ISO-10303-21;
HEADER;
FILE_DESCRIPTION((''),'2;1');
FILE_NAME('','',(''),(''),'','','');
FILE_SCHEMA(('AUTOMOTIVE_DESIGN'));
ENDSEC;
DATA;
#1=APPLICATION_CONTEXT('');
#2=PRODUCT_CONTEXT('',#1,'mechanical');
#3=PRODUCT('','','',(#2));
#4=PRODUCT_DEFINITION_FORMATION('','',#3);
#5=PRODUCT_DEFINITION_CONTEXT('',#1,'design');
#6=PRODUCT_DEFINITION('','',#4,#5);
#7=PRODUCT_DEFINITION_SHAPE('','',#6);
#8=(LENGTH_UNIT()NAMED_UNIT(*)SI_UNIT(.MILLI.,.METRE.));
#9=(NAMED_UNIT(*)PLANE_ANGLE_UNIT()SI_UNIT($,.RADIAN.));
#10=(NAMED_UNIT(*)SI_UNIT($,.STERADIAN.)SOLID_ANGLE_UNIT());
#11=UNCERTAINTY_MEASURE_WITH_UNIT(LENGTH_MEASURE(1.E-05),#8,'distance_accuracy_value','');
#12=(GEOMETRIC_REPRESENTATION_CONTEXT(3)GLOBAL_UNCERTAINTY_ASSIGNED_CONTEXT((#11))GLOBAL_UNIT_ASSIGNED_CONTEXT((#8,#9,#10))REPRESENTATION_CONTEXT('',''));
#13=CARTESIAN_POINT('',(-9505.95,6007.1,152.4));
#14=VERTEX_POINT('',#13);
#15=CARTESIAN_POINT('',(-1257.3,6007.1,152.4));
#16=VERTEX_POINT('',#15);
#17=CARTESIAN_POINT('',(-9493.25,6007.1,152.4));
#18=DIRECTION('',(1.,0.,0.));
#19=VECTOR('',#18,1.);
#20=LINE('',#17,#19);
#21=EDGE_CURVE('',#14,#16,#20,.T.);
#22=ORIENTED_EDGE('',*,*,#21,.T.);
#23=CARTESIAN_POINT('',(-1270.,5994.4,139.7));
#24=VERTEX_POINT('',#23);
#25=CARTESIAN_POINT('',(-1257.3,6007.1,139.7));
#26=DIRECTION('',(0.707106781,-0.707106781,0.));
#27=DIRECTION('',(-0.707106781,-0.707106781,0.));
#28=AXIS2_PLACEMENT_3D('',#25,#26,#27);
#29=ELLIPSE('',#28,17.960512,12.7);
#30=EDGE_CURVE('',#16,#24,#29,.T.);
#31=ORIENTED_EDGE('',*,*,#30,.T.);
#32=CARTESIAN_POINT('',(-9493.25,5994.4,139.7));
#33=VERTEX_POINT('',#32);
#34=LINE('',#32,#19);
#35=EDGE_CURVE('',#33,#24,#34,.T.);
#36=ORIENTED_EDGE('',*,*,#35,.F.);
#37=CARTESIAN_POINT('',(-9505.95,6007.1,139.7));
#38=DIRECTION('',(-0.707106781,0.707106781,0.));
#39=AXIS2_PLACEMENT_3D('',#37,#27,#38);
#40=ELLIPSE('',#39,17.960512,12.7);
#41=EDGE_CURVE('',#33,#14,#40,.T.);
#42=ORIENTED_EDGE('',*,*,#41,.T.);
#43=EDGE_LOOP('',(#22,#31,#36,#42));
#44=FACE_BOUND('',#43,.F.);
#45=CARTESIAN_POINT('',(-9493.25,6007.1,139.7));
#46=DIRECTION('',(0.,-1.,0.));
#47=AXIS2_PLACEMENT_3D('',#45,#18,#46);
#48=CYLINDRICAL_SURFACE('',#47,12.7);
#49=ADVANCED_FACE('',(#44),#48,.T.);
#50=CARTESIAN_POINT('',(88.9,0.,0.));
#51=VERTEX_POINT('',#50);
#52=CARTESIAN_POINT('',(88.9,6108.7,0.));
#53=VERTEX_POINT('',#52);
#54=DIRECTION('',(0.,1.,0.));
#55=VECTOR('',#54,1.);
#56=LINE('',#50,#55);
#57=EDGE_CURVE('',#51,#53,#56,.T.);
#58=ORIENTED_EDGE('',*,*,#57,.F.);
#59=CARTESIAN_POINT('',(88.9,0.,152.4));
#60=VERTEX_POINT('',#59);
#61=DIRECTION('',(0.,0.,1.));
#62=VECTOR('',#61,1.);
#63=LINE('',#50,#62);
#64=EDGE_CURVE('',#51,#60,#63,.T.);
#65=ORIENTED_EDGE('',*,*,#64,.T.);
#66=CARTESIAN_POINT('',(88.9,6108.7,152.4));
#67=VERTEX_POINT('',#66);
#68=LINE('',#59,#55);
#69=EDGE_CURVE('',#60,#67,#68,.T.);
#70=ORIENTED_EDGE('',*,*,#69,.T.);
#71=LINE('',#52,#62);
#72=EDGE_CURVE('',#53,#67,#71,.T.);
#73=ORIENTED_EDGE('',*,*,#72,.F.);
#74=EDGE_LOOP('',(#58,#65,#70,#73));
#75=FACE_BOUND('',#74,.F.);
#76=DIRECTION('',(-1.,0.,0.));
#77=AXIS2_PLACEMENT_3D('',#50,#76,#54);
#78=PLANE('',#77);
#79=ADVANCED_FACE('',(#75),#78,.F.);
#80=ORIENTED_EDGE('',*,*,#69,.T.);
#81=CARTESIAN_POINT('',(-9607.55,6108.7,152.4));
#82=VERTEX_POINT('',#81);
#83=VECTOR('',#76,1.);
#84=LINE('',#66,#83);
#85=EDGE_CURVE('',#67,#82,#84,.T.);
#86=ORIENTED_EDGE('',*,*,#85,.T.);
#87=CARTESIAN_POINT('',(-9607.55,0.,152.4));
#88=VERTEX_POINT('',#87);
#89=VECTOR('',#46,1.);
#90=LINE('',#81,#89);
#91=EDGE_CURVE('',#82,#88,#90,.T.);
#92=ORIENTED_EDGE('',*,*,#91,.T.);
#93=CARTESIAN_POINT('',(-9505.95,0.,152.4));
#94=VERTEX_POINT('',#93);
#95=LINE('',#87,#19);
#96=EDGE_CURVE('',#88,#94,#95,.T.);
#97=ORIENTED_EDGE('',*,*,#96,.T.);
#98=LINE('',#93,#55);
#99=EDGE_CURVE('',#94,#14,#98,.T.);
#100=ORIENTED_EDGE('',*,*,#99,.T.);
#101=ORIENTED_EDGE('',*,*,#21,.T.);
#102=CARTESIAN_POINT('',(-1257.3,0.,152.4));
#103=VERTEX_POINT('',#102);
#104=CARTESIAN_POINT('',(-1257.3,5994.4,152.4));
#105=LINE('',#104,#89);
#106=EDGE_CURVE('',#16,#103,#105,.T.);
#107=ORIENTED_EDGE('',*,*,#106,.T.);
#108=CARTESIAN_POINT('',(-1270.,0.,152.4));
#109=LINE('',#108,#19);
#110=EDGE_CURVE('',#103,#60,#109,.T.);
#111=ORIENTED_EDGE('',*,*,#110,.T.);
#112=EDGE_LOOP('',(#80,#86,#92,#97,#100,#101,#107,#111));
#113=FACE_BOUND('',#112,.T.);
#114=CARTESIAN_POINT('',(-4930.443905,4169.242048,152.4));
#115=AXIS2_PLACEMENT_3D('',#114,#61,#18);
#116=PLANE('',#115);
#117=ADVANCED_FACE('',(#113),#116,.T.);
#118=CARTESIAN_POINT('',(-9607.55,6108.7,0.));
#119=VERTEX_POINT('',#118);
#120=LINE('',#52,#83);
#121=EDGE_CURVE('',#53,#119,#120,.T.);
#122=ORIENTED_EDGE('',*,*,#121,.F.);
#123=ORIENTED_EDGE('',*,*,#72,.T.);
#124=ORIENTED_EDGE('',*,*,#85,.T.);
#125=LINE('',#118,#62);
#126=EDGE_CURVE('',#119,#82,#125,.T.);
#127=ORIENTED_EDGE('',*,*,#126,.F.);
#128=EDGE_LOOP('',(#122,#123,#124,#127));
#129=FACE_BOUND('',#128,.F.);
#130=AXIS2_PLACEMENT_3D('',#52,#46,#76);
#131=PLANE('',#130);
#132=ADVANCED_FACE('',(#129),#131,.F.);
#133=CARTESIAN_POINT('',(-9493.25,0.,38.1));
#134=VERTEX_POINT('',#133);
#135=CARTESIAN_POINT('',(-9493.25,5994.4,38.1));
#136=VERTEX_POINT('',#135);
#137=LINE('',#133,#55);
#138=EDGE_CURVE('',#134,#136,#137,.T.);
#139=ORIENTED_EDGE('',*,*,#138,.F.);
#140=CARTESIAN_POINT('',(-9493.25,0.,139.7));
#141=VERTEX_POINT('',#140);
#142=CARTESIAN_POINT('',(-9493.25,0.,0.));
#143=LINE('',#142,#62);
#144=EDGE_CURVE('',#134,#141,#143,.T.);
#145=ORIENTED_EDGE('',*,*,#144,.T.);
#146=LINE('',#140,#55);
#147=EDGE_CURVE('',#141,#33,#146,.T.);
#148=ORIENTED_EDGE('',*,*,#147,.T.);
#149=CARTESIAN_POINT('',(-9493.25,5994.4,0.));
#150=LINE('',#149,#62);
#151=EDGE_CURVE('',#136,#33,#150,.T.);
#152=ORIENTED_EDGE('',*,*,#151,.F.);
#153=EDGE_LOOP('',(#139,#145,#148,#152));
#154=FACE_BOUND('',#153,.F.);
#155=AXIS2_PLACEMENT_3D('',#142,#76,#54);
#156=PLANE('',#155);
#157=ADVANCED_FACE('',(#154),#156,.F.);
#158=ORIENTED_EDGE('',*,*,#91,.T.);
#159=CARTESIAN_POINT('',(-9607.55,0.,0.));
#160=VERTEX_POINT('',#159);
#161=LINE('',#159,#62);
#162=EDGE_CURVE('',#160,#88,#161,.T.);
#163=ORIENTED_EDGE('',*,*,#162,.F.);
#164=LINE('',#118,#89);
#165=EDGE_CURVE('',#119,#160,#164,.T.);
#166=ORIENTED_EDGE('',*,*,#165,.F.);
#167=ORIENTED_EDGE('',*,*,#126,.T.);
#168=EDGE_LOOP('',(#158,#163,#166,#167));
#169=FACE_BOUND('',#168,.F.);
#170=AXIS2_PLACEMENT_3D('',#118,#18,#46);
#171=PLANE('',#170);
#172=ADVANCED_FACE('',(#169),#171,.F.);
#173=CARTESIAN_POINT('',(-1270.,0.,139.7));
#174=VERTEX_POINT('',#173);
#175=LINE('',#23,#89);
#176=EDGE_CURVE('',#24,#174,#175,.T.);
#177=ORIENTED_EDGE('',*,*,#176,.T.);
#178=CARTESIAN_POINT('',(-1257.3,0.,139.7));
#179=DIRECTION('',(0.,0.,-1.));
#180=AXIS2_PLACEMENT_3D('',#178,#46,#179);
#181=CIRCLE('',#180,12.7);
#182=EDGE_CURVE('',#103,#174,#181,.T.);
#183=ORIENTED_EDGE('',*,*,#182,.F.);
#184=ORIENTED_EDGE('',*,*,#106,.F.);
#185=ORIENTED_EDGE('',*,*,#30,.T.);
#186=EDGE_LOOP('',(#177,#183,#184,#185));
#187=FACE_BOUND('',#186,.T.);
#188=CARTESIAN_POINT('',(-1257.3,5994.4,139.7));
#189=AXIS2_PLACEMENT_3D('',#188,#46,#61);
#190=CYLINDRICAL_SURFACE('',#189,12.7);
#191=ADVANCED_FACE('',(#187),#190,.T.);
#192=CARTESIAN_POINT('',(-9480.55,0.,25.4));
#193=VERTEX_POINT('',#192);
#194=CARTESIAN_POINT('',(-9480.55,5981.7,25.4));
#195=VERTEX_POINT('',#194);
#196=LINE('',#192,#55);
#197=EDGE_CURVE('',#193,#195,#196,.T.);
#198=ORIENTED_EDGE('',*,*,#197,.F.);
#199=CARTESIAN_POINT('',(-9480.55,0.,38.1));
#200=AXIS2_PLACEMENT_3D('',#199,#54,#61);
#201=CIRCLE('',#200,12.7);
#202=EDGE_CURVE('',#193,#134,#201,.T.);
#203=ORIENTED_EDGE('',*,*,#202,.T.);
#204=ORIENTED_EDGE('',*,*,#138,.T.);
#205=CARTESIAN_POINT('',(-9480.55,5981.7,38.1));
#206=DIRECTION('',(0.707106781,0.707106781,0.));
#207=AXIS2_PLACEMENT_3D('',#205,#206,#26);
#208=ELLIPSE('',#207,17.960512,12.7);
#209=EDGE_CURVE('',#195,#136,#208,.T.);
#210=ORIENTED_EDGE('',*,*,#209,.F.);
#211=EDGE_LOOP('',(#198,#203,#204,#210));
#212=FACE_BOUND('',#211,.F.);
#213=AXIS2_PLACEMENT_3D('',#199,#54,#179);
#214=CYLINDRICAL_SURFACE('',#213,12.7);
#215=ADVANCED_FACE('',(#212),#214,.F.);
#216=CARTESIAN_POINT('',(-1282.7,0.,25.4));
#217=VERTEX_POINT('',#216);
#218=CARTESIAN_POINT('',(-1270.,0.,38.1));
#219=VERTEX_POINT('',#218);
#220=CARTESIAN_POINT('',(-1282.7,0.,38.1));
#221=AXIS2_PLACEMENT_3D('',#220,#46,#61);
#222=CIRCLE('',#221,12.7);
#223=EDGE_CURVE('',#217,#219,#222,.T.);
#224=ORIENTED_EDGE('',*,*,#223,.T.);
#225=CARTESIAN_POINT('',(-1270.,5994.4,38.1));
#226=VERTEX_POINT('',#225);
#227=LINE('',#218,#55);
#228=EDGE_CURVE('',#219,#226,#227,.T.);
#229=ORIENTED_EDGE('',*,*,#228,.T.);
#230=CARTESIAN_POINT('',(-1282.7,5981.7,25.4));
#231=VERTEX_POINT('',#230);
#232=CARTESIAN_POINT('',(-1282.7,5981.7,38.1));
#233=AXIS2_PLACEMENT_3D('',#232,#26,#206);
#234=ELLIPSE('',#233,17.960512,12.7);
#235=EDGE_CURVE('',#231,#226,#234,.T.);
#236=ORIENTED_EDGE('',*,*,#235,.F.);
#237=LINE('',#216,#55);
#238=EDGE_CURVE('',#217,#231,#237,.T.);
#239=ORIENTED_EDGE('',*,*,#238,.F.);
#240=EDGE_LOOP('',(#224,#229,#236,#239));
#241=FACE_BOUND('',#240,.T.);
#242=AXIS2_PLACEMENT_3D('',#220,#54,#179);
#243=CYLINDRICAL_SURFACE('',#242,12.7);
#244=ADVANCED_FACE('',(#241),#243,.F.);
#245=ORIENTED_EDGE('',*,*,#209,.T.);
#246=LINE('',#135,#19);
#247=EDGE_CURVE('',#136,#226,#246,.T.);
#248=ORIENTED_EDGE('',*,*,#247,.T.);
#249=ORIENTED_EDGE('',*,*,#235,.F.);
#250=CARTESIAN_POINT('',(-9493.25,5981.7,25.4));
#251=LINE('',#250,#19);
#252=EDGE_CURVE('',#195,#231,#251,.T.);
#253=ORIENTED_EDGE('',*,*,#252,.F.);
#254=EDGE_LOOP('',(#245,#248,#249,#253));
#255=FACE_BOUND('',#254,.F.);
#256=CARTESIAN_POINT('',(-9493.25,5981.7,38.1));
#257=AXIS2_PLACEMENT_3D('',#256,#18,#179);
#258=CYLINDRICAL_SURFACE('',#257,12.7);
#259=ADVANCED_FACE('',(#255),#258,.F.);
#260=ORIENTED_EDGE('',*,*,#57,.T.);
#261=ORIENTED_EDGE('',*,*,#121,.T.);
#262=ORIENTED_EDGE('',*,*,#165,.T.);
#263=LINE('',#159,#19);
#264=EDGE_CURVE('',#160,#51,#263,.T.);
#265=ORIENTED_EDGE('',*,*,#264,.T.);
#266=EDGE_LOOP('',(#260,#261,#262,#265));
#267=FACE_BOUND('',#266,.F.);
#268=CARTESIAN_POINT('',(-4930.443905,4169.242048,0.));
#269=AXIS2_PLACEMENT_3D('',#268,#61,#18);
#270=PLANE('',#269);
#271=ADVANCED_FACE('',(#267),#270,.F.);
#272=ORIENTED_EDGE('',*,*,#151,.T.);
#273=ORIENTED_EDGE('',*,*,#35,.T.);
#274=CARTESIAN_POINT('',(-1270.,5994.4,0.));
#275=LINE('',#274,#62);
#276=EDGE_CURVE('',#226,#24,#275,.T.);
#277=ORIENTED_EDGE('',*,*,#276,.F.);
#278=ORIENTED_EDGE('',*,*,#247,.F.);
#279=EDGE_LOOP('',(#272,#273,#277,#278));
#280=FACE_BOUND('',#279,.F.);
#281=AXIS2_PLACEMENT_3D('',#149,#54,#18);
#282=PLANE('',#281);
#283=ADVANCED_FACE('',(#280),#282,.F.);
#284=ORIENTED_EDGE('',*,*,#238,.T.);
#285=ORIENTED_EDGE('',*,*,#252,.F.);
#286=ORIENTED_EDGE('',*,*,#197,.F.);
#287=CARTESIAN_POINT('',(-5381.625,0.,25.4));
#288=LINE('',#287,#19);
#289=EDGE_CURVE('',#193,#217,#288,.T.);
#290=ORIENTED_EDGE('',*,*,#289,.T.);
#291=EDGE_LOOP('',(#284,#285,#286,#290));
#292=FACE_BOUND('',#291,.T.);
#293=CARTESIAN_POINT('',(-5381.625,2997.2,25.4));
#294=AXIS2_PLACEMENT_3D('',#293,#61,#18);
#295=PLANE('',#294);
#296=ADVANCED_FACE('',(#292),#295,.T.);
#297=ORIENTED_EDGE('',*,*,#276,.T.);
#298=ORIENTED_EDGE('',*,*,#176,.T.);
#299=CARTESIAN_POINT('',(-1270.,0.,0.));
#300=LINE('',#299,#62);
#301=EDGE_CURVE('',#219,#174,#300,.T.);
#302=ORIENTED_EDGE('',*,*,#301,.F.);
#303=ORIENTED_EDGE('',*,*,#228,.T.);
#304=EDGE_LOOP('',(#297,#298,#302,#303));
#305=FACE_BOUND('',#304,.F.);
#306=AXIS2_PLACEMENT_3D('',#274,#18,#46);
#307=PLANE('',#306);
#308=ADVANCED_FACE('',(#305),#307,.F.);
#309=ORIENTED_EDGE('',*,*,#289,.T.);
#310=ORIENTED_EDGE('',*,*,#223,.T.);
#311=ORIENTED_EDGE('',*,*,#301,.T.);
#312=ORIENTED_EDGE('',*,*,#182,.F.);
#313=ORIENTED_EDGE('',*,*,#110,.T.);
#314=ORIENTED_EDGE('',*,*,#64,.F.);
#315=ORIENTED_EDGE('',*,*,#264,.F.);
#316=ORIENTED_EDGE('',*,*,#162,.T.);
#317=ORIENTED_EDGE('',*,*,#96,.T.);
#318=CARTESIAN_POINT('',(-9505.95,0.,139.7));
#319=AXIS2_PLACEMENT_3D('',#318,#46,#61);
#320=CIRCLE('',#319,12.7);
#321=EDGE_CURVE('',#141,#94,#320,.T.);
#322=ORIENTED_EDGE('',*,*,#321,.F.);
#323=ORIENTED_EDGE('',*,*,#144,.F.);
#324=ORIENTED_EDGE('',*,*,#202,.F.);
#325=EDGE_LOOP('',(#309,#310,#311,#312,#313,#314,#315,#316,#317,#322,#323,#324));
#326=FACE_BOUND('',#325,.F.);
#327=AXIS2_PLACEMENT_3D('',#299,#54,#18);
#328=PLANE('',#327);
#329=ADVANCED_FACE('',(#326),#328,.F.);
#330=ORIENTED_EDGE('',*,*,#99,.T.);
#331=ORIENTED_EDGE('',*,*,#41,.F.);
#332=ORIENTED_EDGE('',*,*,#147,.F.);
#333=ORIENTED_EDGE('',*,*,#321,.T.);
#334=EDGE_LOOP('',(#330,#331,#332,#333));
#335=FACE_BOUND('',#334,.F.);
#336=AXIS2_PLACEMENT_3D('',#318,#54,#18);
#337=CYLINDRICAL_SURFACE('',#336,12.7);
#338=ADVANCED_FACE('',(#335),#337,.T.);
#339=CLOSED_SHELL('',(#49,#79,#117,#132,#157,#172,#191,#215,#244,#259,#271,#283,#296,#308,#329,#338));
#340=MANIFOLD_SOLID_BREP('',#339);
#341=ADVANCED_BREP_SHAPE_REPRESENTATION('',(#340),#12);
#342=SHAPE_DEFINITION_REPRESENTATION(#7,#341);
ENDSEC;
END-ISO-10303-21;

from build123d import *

# Parameters (mm, degrees)
F0_W     = 8223.25
F0_H     = 5994.4
F1_DEPTH = 25.4
F2_DEPTH = 152.4
F3_R     = 12.7


with BuildPart() as f1:
    # F0 (on Top) → F1 (new body)
    with BuildSketch(Plane.XY):
        with Locations((-5381.625, 2997.2)):
            Rectangle(F0_W, F0_H)
    extrude(amount=F1_DEPTH)

    # F0 (on Top) → F2 (join)
    with BuildSketch(Plane.XY):
        Polygon((-1270, 0), (0, 0), (88.9, 0), (88.9, 6108.7), (-9607.55, 6108.7), (-9607.55, 0), (-9493.25, 0), (-9493.25, 5994.4), (-1270, 5994.4), align=None)
    extrude(amount=F2_DEPTH)

    # F3
    f3_edges = [f1.edges().sort_by_distance(p)[0] for p in [
        (-1270, 2997.2, 152.4),
        (-1270, 2997.2, 25.4),
        (-5381.625, 5994.4, 25.4),
        (-9493.25, 2997.2, 25.4),
        (-9493.25, 2997.2, 152.4),
        (-5381.625, 5994.4, 152.4),
    ]]
    fillet(f3_edges, radius=F3_R)


solid = f1.part
